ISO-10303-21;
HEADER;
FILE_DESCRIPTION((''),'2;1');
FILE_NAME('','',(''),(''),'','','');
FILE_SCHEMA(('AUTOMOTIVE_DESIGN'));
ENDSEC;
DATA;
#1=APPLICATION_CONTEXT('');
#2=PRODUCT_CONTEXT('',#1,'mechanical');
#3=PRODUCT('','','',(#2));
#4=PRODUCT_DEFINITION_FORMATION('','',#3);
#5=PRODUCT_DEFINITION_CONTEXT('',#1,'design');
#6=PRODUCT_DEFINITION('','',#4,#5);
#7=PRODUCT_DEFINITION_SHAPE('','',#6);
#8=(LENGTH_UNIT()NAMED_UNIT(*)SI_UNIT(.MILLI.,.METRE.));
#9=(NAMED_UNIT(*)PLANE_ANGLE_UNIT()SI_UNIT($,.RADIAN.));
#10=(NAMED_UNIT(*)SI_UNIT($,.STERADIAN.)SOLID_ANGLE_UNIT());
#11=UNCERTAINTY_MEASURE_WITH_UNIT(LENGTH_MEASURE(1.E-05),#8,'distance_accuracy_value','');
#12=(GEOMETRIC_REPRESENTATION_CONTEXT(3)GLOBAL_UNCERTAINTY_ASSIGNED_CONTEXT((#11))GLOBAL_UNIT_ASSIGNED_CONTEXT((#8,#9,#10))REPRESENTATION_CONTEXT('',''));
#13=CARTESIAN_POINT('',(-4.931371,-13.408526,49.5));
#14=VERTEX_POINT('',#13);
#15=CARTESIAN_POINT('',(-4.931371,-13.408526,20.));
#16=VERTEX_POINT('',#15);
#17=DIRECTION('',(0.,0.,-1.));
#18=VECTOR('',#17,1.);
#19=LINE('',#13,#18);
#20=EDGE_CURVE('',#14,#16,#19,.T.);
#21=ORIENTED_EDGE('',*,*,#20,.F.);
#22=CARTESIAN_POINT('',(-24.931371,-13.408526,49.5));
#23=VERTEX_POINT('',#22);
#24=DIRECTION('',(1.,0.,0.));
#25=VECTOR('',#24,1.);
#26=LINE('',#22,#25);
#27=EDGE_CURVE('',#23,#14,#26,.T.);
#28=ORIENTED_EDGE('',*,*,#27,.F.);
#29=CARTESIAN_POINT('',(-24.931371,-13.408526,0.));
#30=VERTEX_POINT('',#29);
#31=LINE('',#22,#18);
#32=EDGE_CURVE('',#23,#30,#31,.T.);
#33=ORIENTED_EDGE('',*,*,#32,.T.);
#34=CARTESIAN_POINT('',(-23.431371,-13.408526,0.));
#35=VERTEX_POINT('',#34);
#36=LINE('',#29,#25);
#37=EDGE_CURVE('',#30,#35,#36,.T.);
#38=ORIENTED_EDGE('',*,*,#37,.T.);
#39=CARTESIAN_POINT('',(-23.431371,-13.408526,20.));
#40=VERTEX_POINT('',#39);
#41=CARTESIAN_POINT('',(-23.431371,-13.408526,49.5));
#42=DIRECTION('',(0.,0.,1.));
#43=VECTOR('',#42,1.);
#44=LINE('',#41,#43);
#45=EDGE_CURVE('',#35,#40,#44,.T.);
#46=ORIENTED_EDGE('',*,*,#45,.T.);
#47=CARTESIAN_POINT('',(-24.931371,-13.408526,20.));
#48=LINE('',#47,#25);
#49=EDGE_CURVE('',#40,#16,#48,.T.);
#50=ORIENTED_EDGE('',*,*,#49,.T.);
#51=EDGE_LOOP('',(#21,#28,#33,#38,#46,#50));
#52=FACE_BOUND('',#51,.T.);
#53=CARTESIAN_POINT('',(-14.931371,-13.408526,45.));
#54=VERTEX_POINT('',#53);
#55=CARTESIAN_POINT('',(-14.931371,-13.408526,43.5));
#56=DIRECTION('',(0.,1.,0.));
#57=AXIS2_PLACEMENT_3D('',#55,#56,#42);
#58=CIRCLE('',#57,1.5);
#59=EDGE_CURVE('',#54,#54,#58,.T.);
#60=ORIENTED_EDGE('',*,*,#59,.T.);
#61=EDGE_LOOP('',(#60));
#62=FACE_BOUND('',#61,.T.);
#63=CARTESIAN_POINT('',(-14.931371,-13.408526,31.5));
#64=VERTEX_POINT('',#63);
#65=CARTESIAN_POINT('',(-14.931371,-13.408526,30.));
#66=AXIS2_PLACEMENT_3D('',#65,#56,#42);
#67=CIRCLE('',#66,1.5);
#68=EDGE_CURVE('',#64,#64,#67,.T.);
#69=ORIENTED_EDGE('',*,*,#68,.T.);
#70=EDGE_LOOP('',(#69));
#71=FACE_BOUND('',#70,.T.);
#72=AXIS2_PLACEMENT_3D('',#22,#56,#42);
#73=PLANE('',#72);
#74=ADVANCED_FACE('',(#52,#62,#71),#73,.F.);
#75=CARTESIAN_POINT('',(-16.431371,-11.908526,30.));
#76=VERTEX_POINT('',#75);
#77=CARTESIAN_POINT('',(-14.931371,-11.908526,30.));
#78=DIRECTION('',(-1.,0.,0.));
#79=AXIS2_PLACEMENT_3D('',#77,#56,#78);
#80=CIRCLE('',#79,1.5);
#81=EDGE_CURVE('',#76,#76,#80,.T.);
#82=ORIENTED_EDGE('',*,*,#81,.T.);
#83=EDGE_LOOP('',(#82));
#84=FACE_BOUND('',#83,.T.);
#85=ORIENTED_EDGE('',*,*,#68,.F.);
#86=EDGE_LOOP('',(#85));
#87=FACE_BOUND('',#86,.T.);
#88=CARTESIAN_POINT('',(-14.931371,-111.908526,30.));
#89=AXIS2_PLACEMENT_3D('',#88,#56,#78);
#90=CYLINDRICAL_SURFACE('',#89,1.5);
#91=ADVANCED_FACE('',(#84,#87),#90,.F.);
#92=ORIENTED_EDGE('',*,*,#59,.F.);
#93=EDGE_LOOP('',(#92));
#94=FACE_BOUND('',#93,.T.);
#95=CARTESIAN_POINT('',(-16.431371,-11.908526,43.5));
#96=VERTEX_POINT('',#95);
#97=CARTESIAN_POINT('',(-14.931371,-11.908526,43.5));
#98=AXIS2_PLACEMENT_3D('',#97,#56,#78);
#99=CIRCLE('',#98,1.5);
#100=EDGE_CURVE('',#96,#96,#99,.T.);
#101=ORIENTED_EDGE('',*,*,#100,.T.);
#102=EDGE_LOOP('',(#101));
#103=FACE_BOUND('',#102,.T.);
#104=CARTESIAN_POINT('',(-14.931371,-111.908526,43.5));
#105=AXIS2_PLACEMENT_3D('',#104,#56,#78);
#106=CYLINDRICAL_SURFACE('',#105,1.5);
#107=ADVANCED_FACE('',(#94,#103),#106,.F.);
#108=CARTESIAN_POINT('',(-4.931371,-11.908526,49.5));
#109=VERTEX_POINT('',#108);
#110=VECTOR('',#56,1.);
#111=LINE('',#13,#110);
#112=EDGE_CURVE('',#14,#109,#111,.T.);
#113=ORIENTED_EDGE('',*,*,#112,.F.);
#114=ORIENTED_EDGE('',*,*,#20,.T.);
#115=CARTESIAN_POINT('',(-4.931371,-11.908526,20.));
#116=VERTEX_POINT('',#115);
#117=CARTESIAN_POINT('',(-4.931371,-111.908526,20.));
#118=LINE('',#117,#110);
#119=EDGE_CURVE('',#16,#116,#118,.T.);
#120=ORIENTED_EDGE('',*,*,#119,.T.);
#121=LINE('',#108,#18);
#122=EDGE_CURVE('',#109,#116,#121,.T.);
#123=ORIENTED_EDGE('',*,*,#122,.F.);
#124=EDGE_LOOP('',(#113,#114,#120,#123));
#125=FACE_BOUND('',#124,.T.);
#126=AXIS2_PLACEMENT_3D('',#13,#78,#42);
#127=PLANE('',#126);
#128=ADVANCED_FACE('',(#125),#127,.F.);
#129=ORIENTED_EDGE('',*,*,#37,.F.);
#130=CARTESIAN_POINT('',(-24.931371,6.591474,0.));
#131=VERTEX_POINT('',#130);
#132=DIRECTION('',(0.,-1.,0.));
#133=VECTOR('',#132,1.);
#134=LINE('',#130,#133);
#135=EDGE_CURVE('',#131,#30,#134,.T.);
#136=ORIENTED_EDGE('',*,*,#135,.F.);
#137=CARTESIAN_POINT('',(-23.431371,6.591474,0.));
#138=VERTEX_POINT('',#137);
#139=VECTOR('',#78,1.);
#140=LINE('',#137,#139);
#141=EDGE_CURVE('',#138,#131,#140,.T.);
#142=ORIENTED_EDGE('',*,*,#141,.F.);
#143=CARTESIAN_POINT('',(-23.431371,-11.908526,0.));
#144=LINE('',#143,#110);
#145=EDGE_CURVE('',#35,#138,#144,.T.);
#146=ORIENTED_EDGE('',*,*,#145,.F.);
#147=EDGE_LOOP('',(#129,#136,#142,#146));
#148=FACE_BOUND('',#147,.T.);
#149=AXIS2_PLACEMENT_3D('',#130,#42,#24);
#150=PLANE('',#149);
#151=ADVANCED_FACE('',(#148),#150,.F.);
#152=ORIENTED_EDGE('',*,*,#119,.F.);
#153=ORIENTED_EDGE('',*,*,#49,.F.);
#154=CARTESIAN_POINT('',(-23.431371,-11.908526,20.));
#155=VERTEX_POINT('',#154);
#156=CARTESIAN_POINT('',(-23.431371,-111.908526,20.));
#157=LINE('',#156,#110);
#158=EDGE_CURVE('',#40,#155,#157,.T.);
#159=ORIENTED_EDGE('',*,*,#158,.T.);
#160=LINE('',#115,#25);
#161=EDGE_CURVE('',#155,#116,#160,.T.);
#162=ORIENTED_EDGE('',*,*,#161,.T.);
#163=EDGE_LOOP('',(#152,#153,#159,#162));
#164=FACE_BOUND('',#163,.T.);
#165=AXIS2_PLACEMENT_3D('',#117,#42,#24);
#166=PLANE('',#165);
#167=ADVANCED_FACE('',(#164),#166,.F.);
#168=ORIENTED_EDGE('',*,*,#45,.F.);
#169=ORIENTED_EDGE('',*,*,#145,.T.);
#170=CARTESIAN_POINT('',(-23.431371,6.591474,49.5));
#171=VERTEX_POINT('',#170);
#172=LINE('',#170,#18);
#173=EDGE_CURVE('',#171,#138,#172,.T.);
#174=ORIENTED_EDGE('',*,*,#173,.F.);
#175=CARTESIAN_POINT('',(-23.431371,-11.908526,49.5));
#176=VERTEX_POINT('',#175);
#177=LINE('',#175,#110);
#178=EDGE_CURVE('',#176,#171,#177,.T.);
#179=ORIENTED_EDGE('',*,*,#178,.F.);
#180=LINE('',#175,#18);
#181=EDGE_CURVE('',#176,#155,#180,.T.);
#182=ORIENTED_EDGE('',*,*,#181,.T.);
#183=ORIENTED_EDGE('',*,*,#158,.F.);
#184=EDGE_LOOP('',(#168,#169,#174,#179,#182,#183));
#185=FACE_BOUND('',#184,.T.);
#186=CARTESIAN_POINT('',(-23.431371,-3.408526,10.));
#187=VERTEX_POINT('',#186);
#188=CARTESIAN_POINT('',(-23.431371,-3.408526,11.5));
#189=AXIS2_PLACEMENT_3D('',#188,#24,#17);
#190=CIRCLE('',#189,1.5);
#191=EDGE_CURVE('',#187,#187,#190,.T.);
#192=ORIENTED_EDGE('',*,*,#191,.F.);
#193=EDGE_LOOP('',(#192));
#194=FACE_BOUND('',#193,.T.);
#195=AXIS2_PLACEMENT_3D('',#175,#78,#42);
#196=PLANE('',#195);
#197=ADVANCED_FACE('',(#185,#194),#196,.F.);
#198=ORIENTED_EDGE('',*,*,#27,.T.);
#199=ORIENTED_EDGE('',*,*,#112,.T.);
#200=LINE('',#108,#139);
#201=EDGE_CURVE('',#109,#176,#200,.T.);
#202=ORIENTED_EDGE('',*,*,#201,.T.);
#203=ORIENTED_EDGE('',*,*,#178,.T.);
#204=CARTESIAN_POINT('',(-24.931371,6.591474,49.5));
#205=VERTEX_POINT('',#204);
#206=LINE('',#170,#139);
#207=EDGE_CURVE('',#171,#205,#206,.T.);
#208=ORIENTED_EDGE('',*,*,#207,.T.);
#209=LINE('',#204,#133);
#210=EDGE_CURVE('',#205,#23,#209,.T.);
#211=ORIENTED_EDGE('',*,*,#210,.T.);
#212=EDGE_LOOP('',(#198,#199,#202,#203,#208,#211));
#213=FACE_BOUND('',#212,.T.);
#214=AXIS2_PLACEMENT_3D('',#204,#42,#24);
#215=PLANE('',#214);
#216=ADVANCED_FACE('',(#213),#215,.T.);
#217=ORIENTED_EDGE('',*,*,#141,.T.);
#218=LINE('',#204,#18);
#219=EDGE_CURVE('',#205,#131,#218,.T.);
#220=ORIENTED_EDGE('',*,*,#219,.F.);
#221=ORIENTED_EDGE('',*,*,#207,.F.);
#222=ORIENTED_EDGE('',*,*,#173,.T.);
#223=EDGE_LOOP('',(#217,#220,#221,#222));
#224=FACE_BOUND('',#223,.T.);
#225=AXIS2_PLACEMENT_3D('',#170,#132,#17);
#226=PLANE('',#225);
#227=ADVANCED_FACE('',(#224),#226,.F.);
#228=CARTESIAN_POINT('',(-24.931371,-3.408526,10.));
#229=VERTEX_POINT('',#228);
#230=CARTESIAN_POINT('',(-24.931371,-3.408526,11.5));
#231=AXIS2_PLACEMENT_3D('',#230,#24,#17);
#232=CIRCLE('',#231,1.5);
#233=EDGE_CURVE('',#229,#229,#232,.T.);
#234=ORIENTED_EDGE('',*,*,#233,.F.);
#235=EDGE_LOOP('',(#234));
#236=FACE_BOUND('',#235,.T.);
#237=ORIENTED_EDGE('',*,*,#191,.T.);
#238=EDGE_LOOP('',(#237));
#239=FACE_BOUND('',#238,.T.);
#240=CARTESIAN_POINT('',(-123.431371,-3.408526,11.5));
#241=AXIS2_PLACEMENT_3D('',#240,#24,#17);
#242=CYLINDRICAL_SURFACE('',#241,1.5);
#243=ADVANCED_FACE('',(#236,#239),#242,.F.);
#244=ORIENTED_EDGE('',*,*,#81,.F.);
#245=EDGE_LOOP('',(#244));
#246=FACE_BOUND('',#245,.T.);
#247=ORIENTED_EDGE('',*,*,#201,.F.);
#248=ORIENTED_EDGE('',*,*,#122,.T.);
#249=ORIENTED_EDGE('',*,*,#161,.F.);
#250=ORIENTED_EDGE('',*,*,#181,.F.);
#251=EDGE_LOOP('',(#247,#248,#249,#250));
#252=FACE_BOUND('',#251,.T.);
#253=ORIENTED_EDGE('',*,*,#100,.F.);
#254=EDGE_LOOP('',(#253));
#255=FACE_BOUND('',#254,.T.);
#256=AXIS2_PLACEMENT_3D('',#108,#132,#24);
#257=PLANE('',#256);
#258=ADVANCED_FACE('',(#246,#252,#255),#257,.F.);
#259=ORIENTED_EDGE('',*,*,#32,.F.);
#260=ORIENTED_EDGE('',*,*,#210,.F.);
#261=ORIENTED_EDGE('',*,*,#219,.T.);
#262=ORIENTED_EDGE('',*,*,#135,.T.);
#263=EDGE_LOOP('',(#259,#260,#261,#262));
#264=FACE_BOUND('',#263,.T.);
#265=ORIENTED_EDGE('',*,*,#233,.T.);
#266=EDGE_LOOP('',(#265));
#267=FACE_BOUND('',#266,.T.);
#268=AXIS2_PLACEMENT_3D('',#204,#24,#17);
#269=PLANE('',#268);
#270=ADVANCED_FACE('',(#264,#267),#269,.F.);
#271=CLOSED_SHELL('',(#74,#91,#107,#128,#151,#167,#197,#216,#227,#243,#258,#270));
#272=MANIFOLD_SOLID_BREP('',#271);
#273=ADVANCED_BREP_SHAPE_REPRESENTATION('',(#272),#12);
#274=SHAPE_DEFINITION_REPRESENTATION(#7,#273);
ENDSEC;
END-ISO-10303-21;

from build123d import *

# Parameters (mm, degrees)
EXTRUSION1_DEPTH = 49.5
ESQUISSE2_R      = 1.5
ESQUISSE2_W      = 18.5
ESQUISSE2_H      = 20
EXTRUSION2_DEPTH = 100
ESQUISSE3_R      = 1.5
EXTRUSION3_DEPTH = 100


with BuildPart() as part:
    # Esquisse1 → Extrusion1 (new body)
    with BuildSketch(Plane.XY):
        Polygon((-24.93137059, 6.591473684), (-24.93137059, -13.408526316), (-4.93137059, -13.408526316), (-4.93137059, -11.908526316), (-23.43137059, -11.908526316), (-23.43137059, 6.591473684), align=None)
    extrude(amount=EXTRUSION1_DEPTH)

    # Esquisse2 → Extrusion2 (cut)
    with BuildSketch(Plane(origin=(0, -11.908526316, 0), x_dir=(-1, 0, 0), z_dir=(0, 1, 0))):
        with Locations((14.93137059, 43.5)):
            Circle(ESQUISSE2_R)
        with Locations((14.93137059, 30)):
            Circle(ESQUISSE2_R)
        with Locations((14.18137059, 10)):
            Rectangle(ESQUISSE2_W, ESQUISSE2_H)
    extrude(amount=-EXTRUSION2_DEPTH, mode=Mode.SUBTRACT)

    # Esquisse3 → Extrusion3 (cut)
    with BuildSketch(Plane(origin=(-23.43137059, 0, 0), x_dir=(0, 0, -1), z_dir=(1, 0, 0))):
        with Locations((-11.5, -3.408526316)):
            Circle(ESQUISSE3_R)
    extrude(amount=-EXTRUSION3_DEPTH, mode=Mode.SUBTRACT)


solid = part.part
